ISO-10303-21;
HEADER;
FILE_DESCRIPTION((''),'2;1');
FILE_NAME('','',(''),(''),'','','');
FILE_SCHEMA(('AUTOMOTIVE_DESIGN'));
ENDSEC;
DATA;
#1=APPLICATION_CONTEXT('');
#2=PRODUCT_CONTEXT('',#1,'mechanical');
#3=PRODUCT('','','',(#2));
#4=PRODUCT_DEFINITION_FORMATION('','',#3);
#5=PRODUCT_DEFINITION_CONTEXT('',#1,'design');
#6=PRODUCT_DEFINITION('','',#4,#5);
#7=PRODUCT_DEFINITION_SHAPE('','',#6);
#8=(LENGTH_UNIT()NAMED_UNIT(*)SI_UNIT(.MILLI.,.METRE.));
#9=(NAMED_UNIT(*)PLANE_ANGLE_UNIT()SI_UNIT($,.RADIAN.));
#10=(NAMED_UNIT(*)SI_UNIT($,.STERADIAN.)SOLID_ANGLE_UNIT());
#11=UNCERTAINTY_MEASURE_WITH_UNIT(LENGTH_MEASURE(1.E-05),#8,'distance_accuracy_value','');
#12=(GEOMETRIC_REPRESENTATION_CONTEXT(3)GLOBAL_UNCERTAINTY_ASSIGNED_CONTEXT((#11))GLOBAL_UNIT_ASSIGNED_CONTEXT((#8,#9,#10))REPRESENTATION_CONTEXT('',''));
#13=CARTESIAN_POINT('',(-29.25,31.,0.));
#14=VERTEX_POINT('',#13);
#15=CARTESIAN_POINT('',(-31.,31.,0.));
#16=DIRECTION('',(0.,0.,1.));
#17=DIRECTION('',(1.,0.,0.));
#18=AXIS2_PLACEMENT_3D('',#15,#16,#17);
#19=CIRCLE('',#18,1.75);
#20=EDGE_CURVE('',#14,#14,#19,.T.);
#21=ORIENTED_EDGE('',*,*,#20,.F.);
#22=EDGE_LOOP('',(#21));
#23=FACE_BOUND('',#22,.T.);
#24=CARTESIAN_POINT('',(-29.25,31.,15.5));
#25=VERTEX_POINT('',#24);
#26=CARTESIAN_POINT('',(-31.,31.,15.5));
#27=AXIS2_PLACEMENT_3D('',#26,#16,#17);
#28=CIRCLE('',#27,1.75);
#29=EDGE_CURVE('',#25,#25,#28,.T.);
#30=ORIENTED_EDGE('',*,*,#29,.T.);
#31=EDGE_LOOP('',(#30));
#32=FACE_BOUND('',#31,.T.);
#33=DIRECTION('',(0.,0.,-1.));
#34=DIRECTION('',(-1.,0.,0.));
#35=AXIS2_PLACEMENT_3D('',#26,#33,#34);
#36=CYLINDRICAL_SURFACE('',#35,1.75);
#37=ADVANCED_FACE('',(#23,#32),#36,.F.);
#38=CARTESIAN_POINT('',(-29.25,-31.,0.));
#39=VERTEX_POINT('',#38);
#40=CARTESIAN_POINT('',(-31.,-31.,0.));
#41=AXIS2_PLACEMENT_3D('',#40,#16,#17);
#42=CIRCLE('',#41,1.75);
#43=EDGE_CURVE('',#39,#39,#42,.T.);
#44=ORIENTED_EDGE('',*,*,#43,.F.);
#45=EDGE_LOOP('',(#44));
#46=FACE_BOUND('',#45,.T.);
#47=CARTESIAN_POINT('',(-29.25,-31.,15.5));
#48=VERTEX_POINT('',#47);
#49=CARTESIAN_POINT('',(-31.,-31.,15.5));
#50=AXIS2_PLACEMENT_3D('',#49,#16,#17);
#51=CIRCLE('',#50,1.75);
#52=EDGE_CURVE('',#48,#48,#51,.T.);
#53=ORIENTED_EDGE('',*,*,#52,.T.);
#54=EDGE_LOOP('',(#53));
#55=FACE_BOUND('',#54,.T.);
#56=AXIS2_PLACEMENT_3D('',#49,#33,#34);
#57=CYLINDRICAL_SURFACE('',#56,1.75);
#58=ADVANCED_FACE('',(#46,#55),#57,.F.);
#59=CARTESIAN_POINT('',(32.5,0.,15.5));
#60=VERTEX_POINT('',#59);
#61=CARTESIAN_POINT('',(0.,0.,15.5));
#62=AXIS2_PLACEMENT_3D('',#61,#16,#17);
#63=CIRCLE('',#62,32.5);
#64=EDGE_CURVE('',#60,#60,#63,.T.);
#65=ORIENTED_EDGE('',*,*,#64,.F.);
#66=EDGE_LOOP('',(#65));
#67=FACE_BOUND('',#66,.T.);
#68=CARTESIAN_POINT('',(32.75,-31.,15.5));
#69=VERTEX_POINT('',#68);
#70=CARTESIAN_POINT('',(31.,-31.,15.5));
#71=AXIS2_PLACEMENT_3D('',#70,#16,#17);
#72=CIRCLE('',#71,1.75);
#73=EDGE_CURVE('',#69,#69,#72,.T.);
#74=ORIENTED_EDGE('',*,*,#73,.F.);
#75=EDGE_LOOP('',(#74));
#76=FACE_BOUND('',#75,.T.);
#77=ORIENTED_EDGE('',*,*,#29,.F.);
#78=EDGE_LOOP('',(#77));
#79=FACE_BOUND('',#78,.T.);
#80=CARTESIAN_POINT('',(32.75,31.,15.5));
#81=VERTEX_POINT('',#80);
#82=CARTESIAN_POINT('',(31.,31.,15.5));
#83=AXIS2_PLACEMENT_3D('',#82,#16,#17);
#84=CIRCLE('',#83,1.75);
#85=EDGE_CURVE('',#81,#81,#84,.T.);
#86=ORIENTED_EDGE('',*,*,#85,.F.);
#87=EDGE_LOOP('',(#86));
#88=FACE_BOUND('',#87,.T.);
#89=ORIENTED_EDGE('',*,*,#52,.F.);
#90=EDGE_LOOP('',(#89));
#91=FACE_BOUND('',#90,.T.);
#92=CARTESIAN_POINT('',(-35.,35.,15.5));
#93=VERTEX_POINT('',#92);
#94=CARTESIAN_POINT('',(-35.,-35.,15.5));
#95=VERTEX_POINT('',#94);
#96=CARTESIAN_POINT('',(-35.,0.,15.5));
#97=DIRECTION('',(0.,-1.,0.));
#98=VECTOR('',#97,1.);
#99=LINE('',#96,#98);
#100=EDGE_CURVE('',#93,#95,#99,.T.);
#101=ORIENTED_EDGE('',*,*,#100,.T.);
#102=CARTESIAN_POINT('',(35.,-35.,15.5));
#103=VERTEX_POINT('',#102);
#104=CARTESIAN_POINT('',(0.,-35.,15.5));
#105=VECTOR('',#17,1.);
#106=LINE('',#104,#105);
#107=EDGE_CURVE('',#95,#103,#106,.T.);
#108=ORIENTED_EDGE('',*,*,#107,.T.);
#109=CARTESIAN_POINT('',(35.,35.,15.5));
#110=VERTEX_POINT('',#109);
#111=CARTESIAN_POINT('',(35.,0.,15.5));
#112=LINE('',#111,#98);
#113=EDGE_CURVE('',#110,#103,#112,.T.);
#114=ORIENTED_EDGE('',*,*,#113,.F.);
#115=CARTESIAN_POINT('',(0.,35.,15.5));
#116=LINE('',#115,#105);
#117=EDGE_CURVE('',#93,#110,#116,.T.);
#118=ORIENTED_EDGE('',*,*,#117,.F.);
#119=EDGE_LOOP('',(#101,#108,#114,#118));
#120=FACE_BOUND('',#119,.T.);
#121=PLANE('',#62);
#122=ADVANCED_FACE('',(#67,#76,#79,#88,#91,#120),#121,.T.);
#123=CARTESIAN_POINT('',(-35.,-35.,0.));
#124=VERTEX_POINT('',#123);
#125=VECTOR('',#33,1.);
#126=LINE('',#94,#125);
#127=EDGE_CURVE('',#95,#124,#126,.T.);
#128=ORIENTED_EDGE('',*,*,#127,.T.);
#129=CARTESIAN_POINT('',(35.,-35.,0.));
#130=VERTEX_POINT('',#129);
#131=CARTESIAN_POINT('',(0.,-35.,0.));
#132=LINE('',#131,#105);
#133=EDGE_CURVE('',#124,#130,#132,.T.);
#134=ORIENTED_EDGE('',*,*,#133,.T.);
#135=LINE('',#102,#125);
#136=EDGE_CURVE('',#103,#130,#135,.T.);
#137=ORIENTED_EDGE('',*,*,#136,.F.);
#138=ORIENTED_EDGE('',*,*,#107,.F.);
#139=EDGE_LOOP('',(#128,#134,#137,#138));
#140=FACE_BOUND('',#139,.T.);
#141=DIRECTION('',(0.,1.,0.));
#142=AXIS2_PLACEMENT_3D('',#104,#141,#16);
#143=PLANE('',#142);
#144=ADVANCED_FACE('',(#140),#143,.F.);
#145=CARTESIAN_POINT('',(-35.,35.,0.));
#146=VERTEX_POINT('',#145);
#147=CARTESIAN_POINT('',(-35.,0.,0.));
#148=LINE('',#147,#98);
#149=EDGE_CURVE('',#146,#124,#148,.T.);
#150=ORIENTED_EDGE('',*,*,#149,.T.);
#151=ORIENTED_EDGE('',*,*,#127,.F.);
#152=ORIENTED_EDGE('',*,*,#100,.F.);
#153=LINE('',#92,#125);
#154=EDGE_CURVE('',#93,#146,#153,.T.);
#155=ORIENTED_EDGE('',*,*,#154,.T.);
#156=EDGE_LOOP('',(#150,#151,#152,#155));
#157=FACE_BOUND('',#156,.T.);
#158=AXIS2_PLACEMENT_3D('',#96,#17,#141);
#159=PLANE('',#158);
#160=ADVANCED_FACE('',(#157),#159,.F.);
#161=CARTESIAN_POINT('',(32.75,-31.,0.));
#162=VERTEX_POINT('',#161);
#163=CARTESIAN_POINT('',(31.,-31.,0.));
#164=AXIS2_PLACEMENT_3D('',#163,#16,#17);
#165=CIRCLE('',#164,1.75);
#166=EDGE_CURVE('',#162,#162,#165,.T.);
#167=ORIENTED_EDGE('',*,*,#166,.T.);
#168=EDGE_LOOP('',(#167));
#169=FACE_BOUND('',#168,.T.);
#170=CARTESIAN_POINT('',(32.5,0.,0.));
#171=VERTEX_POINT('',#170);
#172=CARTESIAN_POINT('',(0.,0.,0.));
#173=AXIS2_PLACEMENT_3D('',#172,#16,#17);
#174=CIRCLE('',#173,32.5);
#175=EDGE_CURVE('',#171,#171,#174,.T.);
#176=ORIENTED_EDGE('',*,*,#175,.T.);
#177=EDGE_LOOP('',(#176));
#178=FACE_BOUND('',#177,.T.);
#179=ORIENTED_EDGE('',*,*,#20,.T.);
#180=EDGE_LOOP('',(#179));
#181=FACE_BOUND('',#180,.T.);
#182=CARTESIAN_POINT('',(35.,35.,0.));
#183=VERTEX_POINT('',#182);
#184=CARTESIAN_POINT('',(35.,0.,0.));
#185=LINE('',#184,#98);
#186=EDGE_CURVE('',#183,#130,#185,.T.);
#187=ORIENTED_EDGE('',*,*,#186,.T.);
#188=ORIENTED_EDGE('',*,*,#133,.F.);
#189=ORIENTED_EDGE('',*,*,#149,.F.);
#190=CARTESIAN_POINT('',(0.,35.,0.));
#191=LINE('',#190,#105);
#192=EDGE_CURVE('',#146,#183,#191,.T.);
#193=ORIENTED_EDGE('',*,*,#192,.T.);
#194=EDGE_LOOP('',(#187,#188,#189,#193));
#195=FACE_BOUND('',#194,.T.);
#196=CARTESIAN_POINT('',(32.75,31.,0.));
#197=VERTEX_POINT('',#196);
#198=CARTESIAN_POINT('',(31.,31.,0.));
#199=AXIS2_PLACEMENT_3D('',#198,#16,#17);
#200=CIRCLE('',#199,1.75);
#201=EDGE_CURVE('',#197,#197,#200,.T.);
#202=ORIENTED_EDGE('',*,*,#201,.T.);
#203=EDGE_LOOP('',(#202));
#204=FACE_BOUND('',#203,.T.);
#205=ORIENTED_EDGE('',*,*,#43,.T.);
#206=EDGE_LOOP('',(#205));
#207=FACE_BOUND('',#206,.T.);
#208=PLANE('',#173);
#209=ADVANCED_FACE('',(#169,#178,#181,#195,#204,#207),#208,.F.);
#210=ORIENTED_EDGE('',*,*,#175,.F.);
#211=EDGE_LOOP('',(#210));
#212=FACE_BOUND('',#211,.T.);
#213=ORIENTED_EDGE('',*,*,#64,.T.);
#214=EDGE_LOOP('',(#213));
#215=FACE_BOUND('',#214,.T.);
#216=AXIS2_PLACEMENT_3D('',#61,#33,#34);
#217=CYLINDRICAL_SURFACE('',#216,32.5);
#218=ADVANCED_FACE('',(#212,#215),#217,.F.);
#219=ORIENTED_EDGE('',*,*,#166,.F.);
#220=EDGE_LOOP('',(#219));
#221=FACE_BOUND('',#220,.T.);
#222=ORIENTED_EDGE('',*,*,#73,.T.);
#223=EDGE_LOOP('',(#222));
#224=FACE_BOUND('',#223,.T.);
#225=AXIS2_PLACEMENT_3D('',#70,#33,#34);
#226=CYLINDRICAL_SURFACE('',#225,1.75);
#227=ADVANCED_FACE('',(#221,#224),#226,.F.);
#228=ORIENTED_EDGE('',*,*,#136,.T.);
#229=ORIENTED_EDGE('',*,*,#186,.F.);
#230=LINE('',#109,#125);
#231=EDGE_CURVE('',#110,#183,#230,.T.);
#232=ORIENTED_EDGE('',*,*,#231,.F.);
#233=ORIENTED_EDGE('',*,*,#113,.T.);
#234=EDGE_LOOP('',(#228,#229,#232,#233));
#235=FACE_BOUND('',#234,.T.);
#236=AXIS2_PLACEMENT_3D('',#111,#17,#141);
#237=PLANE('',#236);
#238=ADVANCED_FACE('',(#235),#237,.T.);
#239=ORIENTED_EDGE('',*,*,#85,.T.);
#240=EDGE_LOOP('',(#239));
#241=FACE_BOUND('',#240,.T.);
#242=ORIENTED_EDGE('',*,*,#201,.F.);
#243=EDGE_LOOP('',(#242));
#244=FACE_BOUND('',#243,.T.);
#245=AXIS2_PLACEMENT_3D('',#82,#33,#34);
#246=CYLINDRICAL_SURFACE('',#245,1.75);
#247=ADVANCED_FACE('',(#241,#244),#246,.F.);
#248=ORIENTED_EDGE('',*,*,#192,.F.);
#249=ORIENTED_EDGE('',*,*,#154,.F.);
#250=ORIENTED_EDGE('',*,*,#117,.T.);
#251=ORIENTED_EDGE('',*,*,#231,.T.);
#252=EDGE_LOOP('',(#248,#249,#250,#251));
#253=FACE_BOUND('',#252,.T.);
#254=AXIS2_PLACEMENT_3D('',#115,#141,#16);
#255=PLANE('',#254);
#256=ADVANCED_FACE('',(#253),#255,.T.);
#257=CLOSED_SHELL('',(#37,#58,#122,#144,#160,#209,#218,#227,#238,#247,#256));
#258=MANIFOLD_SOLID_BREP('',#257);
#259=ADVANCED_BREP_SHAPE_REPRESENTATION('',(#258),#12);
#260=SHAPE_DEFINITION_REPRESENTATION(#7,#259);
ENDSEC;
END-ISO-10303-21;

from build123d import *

# Parameters (mm, degrees)
ESBO_O1_W                = 70
ESBO_O1_H                = 70
ESBO_O1_R                = 1.75
ESBO_O1_R_2              = 32.5
RESSALTO_EXTRUS_O1_DEPTH = 15.5


with BuildPart() as part:
    # Esboço1 → Ressalto-extrusão1 (new body)
    with BuildSketch(Plane.XY):
        Rectangle(ESBO_O1_W, ESBO_O1_H)
        with Locations((-31, -31)):
            Circle(ESBO_O1_R, mode=Mode.SUBTRACT)
        with Locations((31, -31)):
            Circle(ESBO_O1_R, mode=Mode.SUBTRACT)
        with Locations((31, 31)):
            Circle(ESBO_O1_R, mode=Mode.SUBTRACT)
        Circle(ESBO_O1_R_2, mode=Mode.SUBTRACT)
        with Locations((-31, 31)):
            Circle(ESBO_O1_R, mode=Mode.SUBTRACT)
    extrude(amount=RESSALTO_EXTRUS_O1_DEPTH)


solid = part.part
